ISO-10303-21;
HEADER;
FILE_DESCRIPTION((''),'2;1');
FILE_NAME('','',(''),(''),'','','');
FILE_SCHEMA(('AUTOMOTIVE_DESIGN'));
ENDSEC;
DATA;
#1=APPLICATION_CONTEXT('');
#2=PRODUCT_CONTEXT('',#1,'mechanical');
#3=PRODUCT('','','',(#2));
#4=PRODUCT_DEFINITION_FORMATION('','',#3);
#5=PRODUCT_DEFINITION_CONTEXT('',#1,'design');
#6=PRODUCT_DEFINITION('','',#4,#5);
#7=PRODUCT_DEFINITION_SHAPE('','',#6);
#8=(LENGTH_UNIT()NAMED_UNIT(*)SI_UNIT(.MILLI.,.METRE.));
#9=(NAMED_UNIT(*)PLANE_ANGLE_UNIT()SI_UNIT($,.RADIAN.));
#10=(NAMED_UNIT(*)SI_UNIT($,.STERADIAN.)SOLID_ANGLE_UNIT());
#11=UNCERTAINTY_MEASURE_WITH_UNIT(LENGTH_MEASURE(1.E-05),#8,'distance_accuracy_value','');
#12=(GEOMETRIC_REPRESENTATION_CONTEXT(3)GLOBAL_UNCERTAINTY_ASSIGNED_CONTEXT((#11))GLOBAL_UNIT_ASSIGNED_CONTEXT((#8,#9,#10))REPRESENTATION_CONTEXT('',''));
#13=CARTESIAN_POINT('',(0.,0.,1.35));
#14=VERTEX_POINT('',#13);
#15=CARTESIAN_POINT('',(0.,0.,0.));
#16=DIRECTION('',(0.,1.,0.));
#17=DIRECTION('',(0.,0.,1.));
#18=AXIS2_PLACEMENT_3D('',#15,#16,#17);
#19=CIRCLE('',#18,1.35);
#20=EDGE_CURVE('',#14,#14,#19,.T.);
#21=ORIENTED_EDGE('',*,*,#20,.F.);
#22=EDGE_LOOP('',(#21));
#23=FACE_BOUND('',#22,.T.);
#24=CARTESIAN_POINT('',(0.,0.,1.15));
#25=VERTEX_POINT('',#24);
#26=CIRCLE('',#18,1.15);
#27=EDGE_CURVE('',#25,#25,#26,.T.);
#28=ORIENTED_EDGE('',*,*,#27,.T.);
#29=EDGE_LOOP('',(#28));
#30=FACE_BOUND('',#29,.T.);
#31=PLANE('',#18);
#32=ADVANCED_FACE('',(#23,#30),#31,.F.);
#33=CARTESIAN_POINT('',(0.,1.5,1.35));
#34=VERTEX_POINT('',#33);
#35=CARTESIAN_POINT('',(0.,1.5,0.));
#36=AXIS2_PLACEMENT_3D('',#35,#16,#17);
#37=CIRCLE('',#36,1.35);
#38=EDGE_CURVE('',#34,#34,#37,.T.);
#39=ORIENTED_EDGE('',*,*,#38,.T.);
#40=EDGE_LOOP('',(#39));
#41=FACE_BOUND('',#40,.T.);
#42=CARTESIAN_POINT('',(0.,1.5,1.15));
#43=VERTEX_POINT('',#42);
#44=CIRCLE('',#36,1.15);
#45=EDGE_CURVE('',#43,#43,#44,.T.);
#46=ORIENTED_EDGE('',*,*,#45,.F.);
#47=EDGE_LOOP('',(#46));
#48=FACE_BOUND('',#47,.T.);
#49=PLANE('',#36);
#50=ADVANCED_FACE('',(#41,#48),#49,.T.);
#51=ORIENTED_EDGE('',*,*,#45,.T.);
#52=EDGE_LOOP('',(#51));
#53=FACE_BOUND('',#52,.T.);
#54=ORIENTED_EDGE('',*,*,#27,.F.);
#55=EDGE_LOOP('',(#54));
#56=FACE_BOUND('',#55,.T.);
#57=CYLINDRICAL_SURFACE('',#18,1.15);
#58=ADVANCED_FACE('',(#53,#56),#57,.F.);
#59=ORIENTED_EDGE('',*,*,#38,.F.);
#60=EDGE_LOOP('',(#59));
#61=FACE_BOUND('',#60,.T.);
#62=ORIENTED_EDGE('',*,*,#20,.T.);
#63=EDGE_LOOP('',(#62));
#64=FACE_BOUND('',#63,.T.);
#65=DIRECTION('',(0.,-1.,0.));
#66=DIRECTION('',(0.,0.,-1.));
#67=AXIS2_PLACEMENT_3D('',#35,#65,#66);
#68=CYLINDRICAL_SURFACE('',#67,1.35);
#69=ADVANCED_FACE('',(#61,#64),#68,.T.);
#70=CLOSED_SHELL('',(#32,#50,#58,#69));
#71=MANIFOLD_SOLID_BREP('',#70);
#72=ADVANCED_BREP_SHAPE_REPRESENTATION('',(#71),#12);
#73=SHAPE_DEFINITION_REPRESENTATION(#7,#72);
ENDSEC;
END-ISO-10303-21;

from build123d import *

# Parameters (mm, degrees)
SKETCH1_R           = 1.35
BOSS_EXTRUDE1_DEPTH = 1.5
SKETCH2_R           = 1.15
CUT_EXTRUDE1_DEPTH  = 2.5


with BuildPart() as part:
    # Sketch1 → Boss-Extrude1 (new body)
    with BuildSketch(Plane(origin=(0, 0, 0), x_dir=(1, 0, 0), z_dir=(0, 1, 0))):
        Circle(SKETCH1_R)
    extrude(amount=BOSS_EXTRUDE1_DEPTH)

    # Sketch2 → Cut-Extrude1 (cut, through all)
    with BuildSketch(Plane(origin=(0, 1.5, 0), x_dir=(1, 0, 0), z_dir=(0, 1, 0))):
        Circle(SKETCH2_R)
    extrude(amount=-CUT_EXTRUDE1_DEPTH, mode=Mode.SUBTRACT)


solid = part.part
